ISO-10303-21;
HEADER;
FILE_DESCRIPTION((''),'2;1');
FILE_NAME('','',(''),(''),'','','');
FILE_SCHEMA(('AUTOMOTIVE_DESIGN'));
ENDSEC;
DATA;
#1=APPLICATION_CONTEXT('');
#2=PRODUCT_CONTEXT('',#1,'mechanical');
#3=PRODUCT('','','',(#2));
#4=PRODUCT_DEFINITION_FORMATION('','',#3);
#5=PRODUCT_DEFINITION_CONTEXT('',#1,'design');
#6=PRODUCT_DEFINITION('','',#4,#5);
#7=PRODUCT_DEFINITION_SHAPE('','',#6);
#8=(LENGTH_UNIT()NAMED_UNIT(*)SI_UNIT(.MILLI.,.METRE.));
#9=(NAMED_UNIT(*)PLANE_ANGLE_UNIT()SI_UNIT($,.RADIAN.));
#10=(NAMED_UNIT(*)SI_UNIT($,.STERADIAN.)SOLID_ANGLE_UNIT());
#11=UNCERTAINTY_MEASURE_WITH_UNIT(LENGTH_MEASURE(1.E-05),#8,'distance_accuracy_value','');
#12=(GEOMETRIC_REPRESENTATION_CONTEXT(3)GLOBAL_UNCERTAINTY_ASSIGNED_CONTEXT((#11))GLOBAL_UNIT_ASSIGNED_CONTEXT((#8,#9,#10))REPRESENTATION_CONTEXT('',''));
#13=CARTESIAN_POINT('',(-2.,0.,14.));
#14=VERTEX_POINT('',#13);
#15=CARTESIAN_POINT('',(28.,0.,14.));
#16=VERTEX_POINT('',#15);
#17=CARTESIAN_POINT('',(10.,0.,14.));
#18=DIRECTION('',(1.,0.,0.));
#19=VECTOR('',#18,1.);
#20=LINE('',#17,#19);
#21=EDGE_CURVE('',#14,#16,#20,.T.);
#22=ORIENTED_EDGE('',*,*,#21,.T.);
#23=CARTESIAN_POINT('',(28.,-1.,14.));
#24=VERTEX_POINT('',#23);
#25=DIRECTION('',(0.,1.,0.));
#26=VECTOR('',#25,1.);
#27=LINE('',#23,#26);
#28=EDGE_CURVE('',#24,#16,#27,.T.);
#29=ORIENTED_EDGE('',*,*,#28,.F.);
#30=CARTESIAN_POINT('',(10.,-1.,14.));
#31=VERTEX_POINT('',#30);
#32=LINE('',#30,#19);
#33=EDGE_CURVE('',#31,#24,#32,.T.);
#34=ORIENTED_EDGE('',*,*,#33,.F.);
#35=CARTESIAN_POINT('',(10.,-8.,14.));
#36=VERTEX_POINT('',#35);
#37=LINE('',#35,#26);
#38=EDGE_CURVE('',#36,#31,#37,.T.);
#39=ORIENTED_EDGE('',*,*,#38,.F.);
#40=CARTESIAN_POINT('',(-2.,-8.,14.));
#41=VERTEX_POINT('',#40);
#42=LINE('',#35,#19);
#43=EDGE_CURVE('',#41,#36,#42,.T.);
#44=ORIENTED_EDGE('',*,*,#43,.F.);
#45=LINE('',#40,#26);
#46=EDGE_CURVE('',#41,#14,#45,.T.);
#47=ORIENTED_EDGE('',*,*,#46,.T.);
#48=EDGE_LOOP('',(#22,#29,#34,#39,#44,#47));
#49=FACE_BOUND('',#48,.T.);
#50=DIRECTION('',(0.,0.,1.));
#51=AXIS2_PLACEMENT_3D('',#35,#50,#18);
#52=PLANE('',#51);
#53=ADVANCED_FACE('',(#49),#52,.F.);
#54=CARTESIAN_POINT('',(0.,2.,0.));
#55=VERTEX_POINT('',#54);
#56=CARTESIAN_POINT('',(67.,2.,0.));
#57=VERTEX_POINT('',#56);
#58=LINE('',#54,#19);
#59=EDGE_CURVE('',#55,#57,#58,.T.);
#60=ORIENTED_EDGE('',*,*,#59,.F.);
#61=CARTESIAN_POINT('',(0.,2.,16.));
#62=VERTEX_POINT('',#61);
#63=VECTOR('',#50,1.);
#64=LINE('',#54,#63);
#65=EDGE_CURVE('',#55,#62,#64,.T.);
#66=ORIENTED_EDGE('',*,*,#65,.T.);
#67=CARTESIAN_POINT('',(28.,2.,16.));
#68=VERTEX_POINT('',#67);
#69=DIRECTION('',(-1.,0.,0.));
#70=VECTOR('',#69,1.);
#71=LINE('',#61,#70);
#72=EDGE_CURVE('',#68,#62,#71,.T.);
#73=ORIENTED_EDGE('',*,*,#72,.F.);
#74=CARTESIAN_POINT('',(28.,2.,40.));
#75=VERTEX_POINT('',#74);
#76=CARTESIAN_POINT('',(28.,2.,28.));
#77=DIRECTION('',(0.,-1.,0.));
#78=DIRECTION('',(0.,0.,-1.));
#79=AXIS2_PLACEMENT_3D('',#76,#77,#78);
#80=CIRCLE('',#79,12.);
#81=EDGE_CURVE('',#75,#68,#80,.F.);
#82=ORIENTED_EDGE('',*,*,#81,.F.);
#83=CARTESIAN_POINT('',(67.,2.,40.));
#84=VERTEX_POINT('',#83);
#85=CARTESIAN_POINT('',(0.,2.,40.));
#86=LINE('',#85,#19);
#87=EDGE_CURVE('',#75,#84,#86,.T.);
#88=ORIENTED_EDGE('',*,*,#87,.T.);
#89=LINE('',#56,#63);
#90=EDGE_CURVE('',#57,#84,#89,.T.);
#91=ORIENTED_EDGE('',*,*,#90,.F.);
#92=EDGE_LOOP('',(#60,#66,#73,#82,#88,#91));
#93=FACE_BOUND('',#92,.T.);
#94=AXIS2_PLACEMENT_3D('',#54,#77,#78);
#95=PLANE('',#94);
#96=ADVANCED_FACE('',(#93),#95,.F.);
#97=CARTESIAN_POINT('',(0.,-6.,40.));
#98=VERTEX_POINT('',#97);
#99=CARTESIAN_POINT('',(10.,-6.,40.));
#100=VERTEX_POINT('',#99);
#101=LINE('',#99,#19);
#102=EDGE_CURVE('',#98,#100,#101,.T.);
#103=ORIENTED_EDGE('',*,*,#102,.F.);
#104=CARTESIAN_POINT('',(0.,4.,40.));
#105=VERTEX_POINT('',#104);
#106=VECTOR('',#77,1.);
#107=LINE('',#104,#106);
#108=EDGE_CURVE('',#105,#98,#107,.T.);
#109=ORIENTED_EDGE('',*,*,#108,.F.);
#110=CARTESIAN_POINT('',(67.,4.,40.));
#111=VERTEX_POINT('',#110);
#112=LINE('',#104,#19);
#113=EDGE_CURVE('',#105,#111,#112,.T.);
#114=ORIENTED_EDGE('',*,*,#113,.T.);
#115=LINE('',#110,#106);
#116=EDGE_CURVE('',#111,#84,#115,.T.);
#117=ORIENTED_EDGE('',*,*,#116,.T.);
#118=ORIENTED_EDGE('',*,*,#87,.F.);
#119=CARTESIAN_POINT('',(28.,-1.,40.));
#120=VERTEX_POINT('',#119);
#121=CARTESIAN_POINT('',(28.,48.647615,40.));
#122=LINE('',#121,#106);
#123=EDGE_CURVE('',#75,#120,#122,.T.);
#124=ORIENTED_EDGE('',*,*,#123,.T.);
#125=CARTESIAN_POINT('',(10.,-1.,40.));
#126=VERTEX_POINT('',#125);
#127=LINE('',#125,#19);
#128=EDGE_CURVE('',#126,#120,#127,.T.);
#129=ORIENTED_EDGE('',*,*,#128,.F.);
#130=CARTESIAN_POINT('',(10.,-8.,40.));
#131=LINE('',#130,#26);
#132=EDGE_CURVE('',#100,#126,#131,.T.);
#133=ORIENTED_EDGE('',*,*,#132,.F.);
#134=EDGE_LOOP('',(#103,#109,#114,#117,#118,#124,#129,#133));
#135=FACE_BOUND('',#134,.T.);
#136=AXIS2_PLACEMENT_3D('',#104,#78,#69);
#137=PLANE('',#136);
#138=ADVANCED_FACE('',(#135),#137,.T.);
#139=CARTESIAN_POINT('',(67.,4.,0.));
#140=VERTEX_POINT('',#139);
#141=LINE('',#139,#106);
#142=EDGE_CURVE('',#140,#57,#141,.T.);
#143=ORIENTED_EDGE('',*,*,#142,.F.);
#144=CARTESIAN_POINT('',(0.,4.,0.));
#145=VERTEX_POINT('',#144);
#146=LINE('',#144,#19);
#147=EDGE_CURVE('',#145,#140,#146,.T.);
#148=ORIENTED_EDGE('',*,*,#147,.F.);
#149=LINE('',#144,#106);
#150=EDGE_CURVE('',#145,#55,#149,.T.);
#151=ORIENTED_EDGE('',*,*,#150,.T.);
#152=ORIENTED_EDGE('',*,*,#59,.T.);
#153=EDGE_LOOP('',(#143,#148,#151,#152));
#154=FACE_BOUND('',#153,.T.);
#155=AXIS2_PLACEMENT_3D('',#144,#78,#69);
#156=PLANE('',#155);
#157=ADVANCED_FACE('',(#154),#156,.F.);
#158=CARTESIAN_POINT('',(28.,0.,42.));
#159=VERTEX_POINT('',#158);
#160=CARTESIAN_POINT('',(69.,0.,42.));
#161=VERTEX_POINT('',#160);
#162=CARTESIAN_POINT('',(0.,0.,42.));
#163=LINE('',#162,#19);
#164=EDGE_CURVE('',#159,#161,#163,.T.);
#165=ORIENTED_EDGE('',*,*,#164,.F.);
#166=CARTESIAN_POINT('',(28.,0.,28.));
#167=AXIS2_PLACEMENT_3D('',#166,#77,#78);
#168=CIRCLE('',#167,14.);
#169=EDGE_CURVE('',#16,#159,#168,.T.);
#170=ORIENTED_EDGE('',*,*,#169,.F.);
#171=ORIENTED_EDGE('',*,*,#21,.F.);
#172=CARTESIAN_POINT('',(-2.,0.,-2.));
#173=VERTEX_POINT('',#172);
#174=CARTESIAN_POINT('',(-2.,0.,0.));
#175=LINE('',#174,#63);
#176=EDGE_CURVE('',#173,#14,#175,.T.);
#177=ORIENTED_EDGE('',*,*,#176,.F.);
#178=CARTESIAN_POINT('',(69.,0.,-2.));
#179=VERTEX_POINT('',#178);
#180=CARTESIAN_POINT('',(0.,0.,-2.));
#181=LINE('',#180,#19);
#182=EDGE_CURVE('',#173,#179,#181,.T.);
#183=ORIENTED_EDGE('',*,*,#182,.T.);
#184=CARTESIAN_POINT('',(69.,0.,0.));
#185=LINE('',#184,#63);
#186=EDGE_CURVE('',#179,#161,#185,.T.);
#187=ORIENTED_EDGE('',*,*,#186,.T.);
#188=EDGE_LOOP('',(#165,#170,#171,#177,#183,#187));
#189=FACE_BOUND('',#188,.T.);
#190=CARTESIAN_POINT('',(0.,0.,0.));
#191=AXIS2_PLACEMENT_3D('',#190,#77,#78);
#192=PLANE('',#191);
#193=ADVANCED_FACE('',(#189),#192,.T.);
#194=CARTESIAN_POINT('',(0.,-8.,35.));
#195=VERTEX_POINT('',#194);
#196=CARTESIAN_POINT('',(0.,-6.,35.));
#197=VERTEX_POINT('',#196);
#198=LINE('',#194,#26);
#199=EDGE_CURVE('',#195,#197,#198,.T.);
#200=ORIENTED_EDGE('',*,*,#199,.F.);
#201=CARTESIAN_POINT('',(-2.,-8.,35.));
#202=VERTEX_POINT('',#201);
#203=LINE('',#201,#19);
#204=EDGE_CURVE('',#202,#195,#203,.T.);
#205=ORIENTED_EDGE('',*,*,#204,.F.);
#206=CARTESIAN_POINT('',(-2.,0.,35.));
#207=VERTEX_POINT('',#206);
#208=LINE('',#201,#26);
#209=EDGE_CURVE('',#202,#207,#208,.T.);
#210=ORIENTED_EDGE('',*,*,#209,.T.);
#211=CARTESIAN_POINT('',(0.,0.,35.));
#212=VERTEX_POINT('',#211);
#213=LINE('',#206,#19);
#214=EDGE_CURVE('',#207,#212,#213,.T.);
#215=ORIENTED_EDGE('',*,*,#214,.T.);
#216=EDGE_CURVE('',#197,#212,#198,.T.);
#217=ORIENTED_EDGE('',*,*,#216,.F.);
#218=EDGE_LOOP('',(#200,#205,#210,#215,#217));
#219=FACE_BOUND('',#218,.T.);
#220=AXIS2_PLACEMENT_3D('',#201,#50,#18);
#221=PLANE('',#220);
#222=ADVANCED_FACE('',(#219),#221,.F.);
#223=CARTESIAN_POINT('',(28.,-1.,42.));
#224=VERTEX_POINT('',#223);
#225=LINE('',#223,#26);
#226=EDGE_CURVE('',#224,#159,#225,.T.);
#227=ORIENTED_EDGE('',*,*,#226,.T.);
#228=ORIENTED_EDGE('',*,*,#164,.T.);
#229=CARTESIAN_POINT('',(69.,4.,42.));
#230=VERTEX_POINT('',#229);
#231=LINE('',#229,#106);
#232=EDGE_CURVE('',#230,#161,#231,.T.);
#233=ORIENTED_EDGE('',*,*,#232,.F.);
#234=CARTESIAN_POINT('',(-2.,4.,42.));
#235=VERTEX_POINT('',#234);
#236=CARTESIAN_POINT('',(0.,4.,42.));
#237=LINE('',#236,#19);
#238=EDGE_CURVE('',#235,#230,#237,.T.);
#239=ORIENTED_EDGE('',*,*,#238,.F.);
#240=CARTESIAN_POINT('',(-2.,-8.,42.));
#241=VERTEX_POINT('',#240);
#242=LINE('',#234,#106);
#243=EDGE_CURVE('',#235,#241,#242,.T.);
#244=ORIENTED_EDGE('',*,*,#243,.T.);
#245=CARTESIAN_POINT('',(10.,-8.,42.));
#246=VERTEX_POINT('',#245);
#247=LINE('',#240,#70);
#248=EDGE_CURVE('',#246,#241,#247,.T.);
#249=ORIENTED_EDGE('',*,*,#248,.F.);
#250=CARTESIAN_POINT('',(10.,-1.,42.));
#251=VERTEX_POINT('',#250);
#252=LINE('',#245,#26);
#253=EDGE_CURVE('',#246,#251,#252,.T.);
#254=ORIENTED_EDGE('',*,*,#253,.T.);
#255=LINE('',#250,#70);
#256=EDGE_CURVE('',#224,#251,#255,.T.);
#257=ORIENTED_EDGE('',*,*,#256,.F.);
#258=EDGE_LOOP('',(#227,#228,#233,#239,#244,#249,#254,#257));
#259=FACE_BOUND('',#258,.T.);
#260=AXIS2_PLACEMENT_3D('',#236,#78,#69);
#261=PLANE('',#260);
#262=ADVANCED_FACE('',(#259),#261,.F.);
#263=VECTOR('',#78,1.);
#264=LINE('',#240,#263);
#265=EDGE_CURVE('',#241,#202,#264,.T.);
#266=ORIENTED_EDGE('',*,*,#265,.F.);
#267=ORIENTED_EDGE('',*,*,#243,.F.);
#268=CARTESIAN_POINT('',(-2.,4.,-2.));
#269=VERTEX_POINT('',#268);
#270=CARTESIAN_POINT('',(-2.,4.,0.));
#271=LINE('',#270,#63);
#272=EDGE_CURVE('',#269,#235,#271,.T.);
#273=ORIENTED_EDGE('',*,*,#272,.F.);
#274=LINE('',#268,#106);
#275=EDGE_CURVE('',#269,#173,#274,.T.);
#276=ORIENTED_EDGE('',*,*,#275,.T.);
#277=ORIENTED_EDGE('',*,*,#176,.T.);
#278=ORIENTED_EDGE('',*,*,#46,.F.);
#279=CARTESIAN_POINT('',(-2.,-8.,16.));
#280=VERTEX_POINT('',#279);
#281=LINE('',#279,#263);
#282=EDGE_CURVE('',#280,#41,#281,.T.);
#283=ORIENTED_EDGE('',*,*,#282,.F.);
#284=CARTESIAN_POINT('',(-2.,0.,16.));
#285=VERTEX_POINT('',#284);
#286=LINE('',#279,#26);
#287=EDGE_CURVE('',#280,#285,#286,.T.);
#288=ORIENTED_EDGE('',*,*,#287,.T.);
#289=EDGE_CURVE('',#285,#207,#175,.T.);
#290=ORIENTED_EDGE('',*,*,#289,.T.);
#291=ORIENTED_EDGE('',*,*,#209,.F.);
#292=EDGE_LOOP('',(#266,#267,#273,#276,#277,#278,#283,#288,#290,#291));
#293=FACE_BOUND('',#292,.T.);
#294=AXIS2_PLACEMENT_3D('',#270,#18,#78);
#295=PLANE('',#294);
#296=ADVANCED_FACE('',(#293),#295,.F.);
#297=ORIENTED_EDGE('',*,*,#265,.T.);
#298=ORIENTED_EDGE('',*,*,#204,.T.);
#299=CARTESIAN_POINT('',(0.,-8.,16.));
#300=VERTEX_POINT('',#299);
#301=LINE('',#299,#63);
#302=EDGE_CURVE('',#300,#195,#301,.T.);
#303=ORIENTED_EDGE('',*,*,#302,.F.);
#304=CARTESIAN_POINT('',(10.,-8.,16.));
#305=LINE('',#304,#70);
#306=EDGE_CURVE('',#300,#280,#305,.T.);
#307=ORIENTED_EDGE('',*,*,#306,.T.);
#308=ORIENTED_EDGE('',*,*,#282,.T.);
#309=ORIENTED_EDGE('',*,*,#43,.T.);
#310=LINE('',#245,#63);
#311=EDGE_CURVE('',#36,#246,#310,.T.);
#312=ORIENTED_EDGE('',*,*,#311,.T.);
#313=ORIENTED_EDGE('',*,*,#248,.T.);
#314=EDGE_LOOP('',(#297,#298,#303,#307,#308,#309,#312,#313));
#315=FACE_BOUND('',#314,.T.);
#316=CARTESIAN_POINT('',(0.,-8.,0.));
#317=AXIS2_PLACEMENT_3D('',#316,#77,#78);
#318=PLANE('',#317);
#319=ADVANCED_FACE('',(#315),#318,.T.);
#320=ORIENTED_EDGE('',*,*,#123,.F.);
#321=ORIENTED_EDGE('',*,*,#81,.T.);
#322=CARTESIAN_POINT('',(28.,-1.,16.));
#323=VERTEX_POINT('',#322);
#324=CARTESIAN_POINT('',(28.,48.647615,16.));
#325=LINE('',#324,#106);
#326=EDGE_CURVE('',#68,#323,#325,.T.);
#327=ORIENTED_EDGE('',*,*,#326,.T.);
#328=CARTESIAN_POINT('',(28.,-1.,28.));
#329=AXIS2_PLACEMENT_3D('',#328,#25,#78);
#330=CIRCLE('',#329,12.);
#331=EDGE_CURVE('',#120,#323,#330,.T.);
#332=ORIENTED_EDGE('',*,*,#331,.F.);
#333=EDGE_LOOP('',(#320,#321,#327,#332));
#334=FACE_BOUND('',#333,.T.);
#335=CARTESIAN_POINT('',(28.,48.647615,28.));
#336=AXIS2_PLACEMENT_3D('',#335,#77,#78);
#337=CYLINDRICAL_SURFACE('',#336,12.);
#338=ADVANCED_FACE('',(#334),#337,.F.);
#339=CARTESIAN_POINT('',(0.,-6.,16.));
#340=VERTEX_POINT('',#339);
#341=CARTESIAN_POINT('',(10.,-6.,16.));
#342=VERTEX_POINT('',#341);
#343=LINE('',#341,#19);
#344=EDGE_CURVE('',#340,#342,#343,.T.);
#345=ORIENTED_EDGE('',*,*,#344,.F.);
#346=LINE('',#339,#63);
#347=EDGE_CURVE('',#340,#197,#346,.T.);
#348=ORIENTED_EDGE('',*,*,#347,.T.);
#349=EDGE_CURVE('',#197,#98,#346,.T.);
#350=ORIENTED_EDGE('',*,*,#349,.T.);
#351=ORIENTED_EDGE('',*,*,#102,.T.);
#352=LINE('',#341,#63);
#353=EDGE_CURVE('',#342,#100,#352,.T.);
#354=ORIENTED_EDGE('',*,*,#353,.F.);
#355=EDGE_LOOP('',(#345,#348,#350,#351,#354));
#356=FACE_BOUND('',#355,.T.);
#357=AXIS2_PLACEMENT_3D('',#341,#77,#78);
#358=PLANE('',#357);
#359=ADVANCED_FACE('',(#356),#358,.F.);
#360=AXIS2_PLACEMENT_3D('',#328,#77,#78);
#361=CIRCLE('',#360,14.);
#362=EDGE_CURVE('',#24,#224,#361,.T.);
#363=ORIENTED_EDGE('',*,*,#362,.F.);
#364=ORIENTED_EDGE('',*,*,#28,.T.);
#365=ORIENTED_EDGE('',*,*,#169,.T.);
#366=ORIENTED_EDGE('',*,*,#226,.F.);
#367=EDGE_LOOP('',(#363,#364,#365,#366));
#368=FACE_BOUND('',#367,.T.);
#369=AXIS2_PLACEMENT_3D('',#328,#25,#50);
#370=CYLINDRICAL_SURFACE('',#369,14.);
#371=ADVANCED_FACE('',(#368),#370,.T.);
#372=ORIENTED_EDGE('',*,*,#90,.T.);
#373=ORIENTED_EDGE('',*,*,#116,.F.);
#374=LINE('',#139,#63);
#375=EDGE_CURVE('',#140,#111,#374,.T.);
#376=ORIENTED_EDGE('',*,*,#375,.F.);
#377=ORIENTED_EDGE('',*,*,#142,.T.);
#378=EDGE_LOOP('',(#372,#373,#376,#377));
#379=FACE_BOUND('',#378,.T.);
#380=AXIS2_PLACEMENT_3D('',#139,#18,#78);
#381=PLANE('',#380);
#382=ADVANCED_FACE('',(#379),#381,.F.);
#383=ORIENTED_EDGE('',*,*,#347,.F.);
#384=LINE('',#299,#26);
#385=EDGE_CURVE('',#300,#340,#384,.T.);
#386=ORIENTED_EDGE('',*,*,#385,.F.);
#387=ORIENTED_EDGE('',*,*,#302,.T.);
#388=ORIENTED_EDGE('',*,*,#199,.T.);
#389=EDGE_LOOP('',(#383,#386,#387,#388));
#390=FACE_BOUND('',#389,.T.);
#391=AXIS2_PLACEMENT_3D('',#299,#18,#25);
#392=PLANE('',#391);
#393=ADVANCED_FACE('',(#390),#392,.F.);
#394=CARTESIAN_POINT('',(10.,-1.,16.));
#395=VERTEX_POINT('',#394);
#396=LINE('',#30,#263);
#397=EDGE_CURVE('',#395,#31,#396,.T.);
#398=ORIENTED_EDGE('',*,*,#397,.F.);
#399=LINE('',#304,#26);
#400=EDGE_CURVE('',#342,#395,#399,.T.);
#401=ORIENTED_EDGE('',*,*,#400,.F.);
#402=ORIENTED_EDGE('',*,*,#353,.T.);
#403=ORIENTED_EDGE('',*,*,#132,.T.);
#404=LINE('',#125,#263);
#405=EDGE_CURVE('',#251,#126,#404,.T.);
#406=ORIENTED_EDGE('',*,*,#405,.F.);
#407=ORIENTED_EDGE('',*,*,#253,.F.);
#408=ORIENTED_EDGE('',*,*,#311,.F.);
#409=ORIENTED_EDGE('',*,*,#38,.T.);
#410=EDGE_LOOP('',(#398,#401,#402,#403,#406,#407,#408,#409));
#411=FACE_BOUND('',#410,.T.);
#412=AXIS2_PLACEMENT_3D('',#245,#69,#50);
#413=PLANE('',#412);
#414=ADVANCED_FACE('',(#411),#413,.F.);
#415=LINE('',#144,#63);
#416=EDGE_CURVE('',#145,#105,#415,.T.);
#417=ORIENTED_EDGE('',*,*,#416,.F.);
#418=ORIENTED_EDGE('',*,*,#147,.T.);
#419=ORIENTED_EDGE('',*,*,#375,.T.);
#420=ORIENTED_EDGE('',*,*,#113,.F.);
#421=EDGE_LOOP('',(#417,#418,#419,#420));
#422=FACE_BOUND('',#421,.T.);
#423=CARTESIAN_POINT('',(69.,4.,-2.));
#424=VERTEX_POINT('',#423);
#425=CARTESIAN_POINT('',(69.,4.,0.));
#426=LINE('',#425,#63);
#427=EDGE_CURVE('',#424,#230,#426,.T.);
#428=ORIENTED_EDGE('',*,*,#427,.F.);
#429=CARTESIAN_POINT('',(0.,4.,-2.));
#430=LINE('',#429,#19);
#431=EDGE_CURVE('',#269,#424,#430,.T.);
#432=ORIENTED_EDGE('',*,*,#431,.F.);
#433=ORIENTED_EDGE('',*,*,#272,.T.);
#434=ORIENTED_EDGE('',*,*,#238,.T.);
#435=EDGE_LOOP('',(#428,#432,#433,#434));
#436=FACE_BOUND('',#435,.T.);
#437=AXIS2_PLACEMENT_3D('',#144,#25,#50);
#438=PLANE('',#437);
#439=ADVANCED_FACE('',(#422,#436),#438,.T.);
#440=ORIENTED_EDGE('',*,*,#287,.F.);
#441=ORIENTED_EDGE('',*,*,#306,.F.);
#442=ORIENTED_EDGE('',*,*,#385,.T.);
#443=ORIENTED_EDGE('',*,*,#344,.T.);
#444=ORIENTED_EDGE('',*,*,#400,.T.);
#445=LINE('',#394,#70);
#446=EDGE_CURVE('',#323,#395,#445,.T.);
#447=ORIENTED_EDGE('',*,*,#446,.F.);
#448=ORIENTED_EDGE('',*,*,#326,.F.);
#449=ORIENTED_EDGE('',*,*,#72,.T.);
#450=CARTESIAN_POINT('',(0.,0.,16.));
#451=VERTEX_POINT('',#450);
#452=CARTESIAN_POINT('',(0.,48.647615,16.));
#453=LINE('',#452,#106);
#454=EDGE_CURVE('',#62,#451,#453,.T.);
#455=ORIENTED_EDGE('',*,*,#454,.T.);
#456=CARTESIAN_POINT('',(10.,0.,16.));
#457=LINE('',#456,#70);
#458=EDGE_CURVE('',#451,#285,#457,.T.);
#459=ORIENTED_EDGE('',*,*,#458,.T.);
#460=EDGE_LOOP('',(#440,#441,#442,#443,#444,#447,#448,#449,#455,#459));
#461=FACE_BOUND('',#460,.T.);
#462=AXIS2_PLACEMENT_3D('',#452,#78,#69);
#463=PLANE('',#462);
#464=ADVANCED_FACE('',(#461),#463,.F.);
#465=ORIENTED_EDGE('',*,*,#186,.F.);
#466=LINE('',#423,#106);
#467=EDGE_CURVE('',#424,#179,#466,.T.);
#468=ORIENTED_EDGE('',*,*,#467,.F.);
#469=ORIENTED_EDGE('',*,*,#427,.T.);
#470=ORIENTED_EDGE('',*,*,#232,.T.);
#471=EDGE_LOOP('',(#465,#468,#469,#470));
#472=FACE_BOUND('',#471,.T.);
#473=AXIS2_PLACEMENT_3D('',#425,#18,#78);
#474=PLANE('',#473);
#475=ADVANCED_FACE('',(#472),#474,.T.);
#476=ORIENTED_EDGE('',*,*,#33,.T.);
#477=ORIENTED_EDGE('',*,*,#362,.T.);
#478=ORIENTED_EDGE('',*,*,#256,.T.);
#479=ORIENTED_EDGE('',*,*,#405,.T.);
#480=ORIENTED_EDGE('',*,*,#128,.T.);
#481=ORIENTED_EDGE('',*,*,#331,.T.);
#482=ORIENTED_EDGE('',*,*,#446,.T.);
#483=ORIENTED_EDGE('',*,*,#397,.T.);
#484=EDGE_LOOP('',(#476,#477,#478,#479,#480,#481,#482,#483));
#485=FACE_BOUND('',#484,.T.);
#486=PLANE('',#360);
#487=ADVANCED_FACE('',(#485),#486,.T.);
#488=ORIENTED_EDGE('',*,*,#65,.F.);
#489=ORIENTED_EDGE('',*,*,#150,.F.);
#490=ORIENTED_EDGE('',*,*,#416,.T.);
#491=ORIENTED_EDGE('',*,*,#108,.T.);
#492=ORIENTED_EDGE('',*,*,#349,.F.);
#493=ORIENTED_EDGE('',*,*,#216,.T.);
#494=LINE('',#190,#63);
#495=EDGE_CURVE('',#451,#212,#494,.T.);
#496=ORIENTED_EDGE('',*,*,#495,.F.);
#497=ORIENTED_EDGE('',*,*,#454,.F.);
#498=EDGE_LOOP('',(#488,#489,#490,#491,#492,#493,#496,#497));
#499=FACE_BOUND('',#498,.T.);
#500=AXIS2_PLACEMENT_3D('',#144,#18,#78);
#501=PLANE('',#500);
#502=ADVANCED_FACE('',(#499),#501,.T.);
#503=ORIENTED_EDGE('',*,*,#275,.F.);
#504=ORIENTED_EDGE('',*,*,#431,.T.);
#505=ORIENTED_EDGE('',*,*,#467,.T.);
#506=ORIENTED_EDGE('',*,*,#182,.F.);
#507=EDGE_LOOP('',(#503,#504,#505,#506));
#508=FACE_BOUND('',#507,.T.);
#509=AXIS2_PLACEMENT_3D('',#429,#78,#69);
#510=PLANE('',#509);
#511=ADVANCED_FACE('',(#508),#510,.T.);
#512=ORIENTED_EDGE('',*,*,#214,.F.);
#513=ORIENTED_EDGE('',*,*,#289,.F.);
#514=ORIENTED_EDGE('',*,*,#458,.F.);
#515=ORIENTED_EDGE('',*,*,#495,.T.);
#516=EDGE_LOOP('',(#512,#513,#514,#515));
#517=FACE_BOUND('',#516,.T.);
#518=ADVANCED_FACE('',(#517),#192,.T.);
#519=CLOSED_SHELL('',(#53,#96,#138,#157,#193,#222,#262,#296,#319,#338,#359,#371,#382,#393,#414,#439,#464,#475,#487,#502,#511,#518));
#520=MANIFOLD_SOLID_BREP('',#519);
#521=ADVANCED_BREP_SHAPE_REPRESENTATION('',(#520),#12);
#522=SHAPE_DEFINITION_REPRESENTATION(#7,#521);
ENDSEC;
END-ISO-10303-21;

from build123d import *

# Parameters (mm, degrees)
SKETCH1_W           = 67
SKETCH1_H           = 40
BOSS_EXTRUDE1_DEPTH = 2
SKETCH1_3_W         = 71
SKETCH1_3_H         = 44
SKETCH1_3_W_2       = 67
SKETCH1_3_H_2       = 40
BOSS_EXTRUDE2_DEPTH = 4
SKETCH1_5_W         = 28
SKETCH1_5_H         = 24
CUT_EXTRUDE4_DEPTH  = 2
SKETCH2_W           = 12
SKETCH2_H           = 2
BOSS_EXTRUDE3_DEPTH = 8
SKETCH3_W           = 10
SKETCH3_H           = 2
BOSS_EXTRUDE4_DEPTH = 24
BOSS_EXTRUDE5_START = 1
BOSS_EXTRUDE5_DEPTH = 1


with BuildPart() as part:
    # Sketch1 → Boss-Extrude1 (new body)
    with BuildSketch(Plane(origin=(0, 0, 0), x_dir=(1, 0, 0), z_dir=(0, 1, 0))):
        with Locations((33.5, -20)):
            Rectangle(SKETCH1_W, SKETCH1_H)
    extrude(amount=BOSS_EXTRUDE1_DEPTH)

    # Sketch1<3> → Boss-Extrude2 (add)
    with BuildSketch(Plane(origin=(0, 0, 0), x_dir=(1, 0, 0), z_dir=(0, 1, 0))):
        with Locations((33.5, -20)):
            Rectangle(SKETCH1_3_W, SKETCH1_3_H)
        with Locations((33.5, -20)):
            Rectangle(SKETCH1_3_W_2, SKETCH1_3_H_2, mode=Mode.SUBTRACT)
    extrude(amount=BOSS_EXTRUDE2_DEPTH)

    # Sketch1<5> → Cut-Extrude4 (cut)
    with BuildSketch(Plane(origin=(0, 0, 0), x_dir=(1, 0, 0), z_dir=(0, 1, 0))):
        with Locations((14, -28)):
            Rectangle(SKETCH1_5_W, SKETCH1_5_H)
        with BuildLine():
            ThreePointArc((28, -16), (40, -28), (28, -40))
            Line((28, -40), (28, -16))
        make_face()
    extrude(amount=CUT_EXTRUDE4_DEPTH, mode=Mode.SUBTRACT)

    # Sketch2 → Boss-Extrude3 (add)
    with BuildSketch(Plane.XZ):
        with Locations((4, 15)):
            Rectangle(SKETCH2_W, SKETCH2_H)
        Polygon((-2, 42), (10, 42), (10, 40), (0, 40), (0, 35), (-2, 35), (-2, 40), align=None)
    extrude(amount=BOSS_EXTRUDE3_DEPTH)

    # Sketch3 → Boss-Extrude4 (add)
    with BuildSketch(Plane(origin=(0, 0, 40), x_dir=(-1, 0, 0), z_dir=(0, 0, -1))):
        with Locations((-5, -7)):
            Rectangle(SKETCH3_W, SKETCH3_H)
    extrude(amount=BOSS_EXTRUDE4_DEPTH)

    # Sketch5 → Boss-Extrude5 (add)
    with BuildSketch(Plane.XZ.offset(BOSS_EXTRUDE5_START)):
        with BuildLine():
            Line((10, 16), (28, 16))
            ThreePointArc((28, 16), (40, 28), (28, 40))
            Line((28, 40), (10, 40))
            Line((10, 40), (10, 42))
            Line((10, 42), (28, 42))
            ThreePointArc((28, 42), (42, 28), (28, 14))
            Line((28, 14), (10, 14))
            Line((10, 14), (10, 16))
        make_face()
    extrude(amount=-BOSS_EXTRUDE5_DEPTH)


solid = part.part
